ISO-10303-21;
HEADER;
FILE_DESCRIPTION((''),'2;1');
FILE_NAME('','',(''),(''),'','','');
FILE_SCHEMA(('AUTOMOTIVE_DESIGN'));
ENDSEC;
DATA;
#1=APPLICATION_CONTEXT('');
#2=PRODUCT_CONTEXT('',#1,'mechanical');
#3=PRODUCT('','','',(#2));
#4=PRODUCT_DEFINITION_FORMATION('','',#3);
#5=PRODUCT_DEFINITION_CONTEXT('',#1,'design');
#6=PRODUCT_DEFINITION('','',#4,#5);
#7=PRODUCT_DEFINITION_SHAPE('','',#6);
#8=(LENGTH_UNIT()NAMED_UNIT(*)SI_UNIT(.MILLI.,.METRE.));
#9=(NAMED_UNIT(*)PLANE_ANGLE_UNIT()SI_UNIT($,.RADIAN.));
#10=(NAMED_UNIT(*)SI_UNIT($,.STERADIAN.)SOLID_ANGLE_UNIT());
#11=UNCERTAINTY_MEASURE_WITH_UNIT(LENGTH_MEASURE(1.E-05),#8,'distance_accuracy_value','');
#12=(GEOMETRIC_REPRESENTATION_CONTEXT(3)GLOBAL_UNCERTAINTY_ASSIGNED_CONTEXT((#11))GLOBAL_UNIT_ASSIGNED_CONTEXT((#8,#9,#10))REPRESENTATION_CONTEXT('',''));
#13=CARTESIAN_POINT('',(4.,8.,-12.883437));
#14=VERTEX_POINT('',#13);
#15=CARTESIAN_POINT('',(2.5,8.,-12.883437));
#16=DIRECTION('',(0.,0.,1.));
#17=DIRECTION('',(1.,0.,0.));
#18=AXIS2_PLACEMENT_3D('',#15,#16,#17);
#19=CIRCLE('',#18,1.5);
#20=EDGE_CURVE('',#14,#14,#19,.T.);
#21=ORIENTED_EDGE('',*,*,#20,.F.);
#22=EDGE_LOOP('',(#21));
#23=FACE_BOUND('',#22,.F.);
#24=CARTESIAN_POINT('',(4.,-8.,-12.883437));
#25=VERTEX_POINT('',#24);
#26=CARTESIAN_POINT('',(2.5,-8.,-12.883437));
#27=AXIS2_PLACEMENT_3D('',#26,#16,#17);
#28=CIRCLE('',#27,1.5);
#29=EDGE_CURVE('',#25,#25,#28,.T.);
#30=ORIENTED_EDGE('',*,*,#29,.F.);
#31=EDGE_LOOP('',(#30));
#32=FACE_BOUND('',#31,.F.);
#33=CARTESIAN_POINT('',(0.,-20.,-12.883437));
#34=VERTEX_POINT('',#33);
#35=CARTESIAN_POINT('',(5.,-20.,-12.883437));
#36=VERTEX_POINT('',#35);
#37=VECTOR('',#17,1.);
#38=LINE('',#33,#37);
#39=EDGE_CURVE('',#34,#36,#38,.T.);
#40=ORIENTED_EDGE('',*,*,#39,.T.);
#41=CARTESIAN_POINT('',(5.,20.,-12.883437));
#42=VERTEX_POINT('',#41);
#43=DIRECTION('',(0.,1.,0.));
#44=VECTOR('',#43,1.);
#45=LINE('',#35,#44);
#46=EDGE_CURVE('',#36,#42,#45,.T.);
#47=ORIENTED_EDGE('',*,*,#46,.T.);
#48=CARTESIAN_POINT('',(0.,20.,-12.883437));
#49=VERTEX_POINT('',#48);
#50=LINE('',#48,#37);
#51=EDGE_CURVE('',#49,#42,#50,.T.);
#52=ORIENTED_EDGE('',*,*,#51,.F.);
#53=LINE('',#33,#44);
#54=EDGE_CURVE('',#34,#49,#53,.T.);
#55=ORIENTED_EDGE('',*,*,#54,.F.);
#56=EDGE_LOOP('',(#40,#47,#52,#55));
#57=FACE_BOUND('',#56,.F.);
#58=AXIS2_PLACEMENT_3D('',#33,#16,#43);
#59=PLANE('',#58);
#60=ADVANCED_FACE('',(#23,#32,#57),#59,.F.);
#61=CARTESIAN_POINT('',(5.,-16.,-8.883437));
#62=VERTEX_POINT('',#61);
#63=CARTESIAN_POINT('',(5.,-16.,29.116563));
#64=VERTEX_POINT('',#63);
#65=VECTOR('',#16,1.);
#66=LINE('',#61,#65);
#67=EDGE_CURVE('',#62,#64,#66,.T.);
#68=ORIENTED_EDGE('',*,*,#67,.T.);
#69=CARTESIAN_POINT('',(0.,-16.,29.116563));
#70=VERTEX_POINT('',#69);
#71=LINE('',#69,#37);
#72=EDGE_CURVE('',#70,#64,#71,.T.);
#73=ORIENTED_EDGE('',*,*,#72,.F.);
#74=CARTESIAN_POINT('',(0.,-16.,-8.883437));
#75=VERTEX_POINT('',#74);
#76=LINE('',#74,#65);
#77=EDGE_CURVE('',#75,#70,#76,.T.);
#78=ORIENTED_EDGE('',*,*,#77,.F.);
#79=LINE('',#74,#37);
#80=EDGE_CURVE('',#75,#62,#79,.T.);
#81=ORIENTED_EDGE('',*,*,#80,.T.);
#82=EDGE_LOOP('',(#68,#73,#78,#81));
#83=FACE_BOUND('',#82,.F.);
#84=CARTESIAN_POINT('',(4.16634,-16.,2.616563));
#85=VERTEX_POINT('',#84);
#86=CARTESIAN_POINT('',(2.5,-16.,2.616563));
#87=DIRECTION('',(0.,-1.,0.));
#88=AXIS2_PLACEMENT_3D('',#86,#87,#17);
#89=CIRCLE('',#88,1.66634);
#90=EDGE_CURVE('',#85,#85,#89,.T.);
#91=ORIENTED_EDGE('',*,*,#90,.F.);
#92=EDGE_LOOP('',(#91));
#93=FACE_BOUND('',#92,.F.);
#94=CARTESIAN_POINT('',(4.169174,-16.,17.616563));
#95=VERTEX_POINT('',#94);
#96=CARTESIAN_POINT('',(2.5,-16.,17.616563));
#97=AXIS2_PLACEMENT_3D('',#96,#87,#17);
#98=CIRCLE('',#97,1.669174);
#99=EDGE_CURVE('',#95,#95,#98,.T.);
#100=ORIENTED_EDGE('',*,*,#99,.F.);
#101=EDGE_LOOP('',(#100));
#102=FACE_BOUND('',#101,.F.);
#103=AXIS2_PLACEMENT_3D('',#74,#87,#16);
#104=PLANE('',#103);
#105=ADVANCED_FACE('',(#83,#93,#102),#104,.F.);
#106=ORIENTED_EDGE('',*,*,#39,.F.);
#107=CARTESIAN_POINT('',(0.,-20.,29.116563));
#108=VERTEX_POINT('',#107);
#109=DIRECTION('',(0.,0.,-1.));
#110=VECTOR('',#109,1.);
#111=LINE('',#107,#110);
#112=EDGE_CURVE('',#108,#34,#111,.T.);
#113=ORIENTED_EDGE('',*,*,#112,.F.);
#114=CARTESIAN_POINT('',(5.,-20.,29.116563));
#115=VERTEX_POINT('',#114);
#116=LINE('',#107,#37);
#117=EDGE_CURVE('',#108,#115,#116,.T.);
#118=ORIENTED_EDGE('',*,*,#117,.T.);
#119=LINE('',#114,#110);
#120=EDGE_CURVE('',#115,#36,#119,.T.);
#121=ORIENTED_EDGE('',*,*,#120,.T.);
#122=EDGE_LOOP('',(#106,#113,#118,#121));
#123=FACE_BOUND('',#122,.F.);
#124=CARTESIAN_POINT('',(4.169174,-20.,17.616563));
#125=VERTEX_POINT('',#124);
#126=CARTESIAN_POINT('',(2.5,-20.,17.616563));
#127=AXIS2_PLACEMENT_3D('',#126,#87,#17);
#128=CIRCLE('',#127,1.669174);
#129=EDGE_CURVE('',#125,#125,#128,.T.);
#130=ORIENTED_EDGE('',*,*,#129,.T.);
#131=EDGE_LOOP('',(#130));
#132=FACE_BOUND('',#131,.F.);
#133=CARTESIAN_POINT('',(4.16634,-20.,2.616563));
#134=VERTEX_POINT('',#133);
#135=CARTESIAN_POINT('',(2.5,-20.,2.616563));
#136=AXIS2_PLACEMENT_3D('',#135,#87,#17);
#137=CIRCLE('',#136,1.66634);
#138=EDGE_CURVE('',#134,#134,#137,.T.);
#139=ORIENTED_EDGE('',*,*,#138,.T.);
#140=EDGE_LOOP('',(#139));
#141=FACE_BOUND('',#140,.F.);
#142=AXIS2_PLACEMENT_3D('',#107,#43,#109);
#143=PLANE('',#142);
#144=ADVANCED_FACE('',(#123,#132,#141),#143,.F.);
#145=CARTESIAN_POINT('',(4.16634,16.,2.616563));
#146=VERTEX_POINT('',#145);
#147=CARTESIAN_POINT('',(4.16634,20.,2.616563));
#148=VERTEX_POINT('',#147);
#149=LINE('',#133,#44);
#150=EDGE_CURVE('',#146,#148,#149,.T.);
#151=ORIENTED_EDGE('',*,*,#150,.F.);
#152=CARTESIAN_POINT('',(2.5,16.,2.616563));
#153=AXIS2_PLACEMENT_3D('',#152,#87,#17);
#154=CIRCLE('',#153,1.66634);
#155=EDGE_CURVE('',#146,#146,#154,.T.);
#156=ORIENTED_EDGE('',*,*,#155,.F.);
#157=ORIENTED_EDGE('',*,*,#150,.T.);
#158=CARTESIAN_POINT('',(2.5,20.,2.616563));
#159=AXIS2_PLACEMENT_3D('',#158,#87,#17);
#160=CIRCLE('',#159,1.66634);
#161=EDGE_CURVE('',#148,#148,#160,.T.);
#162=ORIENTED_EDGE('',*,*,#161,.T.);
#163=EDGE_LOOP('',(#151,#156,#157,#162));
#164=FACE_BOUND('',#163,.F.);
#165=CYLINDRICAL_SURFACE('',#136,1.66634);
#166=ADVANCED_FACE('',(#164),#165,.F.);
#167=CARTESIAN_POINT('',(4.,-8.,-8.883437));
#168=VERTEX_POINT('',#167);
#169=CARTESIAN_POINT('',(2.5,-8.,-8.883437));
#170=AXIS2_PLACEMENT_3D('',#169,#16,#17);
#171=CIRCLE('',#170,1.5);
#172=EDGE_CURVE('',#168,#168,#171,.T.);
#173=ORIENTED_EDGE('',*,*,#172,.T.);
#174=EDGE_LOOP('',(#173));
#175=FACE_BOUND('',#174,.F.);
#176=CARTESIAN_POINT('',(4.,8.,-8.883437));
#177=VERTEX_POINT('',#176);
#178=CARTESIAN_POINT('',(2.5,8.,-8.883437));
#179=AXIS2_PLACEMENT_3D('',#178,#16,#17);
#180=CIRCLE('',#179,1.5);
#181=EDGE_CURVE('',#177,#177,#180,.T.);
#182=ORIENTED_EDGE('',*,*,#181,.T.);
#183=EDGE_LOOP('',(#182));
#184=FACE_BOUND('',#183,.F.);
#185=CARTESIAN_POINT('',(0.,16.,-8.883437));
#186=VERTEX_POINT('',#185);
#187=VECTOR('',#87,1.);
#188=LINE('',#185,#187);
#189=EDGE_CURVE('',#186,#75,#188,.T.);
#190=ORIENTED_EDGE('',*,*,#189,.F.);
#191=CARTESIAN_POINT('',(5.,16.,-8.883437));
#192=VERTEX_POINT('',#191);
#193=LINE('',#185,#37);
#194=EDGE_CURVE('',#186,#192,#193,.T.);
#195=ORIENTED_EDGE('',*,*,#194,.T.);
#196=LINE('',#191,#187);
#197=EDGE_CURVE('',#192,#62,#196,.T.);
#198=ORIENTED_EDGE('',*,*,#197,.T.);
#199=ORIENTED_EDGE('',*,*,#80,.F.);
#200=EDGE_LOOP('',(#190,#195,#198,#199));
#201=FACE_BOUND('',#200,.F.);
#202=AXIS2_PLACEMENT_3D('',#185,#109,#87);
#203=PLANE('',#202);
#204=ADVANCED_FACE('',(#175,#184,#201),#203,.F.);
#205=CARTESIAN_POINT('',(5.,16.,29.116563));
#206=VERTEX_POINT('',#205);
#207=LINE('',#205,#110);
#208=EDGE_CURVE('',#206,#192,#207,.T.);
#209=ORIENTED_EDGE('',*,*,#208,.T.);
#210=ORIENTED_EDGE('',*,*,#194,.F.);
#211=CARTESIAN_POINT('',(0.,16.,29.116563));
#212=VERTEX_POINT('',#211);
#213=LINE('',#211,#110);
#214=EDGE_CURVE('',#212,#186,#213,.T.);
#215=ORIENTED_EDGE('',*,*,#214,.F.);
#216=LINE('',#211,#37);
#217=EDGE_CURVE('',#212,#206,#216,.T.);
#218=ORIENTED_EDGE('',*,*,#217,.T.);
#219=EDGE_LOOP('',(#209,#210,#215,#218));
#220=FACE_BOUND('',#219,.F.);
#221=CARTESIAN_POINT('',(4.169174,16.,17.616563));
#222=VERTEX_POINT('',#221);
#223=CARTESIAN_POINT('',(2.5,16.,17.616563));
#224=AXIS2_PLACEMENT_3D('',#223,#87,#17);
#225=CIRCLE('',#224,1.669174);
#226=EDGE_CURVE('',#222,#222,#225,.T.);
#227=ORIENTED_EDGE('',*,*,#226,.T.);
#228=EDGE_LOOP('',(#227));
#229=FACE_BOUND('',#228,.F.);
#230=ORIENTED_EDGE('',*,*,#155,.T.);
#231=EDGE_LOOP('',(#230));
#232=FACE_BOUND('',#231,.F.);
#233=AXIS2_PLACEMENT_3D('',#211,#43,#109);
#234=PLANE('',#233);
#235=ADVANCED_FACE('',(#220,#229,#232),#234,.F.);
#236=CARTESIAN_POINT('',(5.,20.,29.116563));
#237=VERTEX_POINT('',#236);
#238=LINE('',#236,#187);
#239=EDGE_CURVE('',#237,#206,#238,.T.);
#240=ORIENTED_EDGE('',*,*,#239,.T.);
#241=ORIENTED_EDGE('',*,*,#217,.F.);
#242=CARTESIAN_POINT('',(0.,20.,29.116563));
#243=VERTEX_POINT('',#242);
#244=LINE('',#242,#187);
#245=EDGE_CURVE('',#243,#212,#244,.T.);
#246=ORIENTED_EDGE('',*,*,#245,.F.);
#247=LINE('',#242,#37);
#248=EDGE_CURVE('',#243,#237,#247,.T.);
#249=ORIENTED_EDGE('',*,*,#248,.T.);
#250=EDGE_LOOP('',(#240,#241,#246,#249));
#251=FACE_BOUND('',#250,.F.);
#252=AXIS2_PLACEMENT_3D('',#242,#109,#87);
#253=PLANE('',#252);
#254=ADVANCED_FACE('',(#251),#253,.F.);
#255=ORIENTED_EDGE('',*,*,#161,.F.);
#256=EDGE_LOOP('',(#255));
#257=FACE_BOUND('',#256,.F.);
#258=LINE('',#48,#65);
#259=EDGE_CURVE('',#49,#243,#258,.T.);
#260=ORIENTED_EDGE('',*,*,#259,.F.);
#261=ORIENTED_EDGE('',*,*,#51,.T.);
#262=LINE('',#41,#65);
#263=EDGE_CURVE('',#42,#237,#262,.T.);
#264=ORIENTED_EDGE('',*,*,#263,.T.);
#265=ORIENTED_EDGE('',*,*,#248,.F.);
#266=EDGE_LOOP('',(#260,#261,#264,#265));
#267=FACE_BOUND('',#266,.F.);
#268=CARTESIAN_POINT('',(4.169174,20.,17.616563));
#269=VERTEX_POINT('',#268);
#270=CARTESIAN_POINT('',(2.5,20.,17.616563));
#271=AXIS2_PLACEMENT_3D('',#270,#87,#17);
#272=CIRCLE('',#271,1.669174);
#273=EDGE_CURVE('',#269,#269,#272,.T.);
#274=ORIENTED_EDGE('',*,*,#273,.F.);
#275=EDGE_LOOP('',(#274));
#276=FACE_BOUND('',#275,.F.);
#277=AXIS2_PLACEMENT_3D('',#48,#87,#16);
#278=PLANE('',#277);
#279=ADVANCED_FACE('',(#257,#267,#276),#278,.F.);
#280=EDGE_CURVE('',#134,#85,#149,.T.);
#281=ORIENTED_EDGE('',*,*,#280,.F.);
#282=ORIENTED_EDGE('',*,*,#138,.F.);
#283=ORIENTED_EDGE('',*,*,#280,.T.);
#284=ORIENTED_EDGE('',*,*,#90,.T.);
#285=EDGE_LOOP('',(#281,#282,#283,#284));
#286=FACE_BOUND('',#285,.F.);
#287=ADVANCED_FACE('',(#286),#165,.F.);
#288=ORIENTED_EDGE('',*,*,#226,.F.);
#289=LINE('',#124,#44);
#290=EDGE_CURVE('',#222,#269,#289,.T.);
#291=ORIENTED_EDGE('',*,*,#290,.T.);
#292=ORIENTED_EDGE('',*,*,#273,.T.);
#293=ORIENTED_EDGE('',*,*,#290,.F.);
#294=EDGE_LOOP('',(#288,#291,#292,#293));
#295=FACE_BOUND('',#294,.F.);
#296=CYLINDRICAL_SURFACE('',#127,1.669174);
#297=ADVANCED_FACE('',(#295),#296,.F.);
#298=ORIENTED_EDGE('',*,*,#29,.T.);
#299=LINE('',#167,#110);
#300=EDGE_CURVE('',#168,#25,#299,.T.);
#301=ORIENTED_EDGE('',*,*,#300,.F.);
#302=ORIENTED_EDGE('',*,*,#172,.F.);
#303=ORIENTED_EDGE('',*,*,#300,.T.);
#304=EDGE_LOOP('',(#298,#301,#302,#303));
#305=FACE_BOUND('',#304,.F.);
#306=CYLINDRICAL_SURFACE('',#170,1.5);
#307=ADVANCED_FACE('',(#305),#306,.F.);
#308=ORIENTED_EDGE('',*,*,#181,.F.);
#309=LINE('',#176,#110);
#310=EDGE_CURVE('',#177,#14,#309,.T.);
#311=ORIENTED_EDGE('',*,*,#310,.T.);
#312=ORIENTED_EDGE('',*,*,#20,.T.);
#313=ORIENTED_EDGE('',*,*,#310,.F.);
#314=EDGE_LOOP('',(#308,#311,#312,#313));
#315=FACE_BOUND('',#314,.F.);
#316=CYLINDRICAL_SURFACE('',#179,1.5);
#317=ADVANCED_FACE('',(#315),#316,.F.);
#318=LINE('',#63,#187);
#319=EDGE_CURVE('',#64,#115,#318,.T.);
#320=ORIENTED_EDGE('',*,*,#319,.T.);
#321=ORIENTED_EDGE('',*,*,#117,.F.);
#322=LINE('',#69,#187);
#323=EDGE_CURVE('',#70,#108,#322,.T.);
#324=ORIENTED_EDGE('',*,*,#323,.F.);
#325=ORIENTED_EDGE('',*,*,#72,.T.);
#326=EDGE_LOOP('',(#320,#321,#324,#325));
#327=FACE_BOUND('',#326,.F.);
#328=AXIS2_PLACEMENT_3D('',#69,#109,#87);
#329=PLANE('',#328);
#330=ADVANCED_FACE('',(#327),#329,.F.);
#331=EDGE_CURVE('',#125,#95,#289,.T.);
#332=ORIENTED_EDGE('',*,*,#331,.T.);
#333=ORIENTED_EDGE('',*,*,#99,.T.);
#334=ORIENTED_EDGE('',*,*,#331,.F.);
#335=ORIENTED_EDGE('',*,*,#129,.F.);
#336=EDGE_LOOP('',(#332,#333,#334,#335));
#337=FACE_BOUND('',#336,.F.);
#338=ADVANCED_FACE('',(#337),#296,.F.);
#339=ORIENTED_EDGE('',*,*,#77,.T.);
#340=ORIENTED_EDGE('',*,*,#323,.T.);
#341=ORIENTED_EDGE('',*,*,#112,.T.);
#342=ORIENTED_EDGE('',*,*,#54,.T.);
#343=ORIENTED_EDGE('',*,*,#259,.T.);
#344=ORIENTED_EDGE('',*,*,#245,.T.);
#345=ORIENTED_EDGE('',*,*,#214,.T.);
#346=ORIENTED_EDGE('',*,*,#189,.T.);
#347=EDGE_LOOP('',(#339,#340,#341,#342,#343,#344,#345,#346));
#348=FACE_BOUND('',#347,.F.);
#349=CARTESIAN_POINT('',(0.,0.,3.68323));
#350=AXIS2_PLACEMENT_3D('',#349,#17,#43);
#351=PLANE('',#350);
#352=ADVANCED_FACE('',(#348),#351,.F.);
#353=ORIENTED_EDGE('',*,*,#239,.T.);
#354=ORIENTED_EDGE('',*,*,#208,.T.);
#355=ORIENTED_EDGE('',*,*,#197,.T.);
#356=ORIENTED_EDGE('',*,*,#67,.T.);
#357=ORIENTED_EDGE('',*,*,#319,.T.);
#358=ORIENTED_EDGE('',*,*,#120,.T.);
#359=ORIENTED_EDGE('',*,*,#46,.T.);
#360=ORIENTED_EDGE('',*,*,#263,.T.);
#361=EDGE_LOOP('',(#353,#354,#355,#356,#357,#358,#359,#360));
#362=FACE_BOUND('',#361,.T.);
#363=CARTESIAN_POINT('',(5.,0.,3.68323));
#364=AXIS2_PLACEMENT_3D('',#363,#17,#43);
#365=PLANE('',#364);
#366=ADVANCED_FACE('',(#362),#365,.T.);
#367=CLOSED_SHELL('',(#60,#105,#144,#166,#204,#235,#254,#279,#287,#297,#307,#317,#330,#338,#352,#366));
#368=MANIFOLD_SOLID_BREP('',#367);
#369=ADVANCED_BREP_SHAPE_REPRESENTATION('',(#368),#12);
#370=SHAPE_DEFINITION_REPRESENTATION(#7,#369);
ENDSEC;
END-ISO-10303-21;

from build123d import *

# Parameters (mm, degrees)
F1_DEPTH = 5
F2_R     = 1.669174
F2_R_2   = 1.66634
F3_DEPTH = 40.001
F4_R     = 1.5
F5_DEPTH = 4.001


with BuildPart() as f1:
    # F0 (on Right) → F1 (new body)
    with BuildSketch(Plane.YZ):
        Polygon((16, -8.883437), (0, -8.883437), (-16, -8.883437), (-16, 29.116563), (-20, 29.116563), (-20, -12.883437), (0, -12.883437), (20, -12.883437), (20, 29.116563), (16, 29.116563), align=None)
    extrude(amount=F1_DEPTH)

    # F2 (on face) → F3 (cut, through all)
    with BuildSketch(Plane.XZ.offset(20)):
        with Locations((2.5, 17.616563)):
            Circle(F2_R)
        with Locations((2.5, 2.616563)):
            Circle(F2_R_2)
    extrude(amount=-F3_DEPTH, mode=Mode.SUBTRACT)

    # F4 (on face) → F5 (cut, through all)
    with BuildSketch(Plane.XY.offset(-8.883437)):
        with Locations((2.5, -8)):
            Circle(F4_R)
        with Locations((2.5, 8)):
            Circle(F4_R)
    extrude(amount=-F5_DEPTH, mode=Mode.SUBTRACT)


solid = f1.part
